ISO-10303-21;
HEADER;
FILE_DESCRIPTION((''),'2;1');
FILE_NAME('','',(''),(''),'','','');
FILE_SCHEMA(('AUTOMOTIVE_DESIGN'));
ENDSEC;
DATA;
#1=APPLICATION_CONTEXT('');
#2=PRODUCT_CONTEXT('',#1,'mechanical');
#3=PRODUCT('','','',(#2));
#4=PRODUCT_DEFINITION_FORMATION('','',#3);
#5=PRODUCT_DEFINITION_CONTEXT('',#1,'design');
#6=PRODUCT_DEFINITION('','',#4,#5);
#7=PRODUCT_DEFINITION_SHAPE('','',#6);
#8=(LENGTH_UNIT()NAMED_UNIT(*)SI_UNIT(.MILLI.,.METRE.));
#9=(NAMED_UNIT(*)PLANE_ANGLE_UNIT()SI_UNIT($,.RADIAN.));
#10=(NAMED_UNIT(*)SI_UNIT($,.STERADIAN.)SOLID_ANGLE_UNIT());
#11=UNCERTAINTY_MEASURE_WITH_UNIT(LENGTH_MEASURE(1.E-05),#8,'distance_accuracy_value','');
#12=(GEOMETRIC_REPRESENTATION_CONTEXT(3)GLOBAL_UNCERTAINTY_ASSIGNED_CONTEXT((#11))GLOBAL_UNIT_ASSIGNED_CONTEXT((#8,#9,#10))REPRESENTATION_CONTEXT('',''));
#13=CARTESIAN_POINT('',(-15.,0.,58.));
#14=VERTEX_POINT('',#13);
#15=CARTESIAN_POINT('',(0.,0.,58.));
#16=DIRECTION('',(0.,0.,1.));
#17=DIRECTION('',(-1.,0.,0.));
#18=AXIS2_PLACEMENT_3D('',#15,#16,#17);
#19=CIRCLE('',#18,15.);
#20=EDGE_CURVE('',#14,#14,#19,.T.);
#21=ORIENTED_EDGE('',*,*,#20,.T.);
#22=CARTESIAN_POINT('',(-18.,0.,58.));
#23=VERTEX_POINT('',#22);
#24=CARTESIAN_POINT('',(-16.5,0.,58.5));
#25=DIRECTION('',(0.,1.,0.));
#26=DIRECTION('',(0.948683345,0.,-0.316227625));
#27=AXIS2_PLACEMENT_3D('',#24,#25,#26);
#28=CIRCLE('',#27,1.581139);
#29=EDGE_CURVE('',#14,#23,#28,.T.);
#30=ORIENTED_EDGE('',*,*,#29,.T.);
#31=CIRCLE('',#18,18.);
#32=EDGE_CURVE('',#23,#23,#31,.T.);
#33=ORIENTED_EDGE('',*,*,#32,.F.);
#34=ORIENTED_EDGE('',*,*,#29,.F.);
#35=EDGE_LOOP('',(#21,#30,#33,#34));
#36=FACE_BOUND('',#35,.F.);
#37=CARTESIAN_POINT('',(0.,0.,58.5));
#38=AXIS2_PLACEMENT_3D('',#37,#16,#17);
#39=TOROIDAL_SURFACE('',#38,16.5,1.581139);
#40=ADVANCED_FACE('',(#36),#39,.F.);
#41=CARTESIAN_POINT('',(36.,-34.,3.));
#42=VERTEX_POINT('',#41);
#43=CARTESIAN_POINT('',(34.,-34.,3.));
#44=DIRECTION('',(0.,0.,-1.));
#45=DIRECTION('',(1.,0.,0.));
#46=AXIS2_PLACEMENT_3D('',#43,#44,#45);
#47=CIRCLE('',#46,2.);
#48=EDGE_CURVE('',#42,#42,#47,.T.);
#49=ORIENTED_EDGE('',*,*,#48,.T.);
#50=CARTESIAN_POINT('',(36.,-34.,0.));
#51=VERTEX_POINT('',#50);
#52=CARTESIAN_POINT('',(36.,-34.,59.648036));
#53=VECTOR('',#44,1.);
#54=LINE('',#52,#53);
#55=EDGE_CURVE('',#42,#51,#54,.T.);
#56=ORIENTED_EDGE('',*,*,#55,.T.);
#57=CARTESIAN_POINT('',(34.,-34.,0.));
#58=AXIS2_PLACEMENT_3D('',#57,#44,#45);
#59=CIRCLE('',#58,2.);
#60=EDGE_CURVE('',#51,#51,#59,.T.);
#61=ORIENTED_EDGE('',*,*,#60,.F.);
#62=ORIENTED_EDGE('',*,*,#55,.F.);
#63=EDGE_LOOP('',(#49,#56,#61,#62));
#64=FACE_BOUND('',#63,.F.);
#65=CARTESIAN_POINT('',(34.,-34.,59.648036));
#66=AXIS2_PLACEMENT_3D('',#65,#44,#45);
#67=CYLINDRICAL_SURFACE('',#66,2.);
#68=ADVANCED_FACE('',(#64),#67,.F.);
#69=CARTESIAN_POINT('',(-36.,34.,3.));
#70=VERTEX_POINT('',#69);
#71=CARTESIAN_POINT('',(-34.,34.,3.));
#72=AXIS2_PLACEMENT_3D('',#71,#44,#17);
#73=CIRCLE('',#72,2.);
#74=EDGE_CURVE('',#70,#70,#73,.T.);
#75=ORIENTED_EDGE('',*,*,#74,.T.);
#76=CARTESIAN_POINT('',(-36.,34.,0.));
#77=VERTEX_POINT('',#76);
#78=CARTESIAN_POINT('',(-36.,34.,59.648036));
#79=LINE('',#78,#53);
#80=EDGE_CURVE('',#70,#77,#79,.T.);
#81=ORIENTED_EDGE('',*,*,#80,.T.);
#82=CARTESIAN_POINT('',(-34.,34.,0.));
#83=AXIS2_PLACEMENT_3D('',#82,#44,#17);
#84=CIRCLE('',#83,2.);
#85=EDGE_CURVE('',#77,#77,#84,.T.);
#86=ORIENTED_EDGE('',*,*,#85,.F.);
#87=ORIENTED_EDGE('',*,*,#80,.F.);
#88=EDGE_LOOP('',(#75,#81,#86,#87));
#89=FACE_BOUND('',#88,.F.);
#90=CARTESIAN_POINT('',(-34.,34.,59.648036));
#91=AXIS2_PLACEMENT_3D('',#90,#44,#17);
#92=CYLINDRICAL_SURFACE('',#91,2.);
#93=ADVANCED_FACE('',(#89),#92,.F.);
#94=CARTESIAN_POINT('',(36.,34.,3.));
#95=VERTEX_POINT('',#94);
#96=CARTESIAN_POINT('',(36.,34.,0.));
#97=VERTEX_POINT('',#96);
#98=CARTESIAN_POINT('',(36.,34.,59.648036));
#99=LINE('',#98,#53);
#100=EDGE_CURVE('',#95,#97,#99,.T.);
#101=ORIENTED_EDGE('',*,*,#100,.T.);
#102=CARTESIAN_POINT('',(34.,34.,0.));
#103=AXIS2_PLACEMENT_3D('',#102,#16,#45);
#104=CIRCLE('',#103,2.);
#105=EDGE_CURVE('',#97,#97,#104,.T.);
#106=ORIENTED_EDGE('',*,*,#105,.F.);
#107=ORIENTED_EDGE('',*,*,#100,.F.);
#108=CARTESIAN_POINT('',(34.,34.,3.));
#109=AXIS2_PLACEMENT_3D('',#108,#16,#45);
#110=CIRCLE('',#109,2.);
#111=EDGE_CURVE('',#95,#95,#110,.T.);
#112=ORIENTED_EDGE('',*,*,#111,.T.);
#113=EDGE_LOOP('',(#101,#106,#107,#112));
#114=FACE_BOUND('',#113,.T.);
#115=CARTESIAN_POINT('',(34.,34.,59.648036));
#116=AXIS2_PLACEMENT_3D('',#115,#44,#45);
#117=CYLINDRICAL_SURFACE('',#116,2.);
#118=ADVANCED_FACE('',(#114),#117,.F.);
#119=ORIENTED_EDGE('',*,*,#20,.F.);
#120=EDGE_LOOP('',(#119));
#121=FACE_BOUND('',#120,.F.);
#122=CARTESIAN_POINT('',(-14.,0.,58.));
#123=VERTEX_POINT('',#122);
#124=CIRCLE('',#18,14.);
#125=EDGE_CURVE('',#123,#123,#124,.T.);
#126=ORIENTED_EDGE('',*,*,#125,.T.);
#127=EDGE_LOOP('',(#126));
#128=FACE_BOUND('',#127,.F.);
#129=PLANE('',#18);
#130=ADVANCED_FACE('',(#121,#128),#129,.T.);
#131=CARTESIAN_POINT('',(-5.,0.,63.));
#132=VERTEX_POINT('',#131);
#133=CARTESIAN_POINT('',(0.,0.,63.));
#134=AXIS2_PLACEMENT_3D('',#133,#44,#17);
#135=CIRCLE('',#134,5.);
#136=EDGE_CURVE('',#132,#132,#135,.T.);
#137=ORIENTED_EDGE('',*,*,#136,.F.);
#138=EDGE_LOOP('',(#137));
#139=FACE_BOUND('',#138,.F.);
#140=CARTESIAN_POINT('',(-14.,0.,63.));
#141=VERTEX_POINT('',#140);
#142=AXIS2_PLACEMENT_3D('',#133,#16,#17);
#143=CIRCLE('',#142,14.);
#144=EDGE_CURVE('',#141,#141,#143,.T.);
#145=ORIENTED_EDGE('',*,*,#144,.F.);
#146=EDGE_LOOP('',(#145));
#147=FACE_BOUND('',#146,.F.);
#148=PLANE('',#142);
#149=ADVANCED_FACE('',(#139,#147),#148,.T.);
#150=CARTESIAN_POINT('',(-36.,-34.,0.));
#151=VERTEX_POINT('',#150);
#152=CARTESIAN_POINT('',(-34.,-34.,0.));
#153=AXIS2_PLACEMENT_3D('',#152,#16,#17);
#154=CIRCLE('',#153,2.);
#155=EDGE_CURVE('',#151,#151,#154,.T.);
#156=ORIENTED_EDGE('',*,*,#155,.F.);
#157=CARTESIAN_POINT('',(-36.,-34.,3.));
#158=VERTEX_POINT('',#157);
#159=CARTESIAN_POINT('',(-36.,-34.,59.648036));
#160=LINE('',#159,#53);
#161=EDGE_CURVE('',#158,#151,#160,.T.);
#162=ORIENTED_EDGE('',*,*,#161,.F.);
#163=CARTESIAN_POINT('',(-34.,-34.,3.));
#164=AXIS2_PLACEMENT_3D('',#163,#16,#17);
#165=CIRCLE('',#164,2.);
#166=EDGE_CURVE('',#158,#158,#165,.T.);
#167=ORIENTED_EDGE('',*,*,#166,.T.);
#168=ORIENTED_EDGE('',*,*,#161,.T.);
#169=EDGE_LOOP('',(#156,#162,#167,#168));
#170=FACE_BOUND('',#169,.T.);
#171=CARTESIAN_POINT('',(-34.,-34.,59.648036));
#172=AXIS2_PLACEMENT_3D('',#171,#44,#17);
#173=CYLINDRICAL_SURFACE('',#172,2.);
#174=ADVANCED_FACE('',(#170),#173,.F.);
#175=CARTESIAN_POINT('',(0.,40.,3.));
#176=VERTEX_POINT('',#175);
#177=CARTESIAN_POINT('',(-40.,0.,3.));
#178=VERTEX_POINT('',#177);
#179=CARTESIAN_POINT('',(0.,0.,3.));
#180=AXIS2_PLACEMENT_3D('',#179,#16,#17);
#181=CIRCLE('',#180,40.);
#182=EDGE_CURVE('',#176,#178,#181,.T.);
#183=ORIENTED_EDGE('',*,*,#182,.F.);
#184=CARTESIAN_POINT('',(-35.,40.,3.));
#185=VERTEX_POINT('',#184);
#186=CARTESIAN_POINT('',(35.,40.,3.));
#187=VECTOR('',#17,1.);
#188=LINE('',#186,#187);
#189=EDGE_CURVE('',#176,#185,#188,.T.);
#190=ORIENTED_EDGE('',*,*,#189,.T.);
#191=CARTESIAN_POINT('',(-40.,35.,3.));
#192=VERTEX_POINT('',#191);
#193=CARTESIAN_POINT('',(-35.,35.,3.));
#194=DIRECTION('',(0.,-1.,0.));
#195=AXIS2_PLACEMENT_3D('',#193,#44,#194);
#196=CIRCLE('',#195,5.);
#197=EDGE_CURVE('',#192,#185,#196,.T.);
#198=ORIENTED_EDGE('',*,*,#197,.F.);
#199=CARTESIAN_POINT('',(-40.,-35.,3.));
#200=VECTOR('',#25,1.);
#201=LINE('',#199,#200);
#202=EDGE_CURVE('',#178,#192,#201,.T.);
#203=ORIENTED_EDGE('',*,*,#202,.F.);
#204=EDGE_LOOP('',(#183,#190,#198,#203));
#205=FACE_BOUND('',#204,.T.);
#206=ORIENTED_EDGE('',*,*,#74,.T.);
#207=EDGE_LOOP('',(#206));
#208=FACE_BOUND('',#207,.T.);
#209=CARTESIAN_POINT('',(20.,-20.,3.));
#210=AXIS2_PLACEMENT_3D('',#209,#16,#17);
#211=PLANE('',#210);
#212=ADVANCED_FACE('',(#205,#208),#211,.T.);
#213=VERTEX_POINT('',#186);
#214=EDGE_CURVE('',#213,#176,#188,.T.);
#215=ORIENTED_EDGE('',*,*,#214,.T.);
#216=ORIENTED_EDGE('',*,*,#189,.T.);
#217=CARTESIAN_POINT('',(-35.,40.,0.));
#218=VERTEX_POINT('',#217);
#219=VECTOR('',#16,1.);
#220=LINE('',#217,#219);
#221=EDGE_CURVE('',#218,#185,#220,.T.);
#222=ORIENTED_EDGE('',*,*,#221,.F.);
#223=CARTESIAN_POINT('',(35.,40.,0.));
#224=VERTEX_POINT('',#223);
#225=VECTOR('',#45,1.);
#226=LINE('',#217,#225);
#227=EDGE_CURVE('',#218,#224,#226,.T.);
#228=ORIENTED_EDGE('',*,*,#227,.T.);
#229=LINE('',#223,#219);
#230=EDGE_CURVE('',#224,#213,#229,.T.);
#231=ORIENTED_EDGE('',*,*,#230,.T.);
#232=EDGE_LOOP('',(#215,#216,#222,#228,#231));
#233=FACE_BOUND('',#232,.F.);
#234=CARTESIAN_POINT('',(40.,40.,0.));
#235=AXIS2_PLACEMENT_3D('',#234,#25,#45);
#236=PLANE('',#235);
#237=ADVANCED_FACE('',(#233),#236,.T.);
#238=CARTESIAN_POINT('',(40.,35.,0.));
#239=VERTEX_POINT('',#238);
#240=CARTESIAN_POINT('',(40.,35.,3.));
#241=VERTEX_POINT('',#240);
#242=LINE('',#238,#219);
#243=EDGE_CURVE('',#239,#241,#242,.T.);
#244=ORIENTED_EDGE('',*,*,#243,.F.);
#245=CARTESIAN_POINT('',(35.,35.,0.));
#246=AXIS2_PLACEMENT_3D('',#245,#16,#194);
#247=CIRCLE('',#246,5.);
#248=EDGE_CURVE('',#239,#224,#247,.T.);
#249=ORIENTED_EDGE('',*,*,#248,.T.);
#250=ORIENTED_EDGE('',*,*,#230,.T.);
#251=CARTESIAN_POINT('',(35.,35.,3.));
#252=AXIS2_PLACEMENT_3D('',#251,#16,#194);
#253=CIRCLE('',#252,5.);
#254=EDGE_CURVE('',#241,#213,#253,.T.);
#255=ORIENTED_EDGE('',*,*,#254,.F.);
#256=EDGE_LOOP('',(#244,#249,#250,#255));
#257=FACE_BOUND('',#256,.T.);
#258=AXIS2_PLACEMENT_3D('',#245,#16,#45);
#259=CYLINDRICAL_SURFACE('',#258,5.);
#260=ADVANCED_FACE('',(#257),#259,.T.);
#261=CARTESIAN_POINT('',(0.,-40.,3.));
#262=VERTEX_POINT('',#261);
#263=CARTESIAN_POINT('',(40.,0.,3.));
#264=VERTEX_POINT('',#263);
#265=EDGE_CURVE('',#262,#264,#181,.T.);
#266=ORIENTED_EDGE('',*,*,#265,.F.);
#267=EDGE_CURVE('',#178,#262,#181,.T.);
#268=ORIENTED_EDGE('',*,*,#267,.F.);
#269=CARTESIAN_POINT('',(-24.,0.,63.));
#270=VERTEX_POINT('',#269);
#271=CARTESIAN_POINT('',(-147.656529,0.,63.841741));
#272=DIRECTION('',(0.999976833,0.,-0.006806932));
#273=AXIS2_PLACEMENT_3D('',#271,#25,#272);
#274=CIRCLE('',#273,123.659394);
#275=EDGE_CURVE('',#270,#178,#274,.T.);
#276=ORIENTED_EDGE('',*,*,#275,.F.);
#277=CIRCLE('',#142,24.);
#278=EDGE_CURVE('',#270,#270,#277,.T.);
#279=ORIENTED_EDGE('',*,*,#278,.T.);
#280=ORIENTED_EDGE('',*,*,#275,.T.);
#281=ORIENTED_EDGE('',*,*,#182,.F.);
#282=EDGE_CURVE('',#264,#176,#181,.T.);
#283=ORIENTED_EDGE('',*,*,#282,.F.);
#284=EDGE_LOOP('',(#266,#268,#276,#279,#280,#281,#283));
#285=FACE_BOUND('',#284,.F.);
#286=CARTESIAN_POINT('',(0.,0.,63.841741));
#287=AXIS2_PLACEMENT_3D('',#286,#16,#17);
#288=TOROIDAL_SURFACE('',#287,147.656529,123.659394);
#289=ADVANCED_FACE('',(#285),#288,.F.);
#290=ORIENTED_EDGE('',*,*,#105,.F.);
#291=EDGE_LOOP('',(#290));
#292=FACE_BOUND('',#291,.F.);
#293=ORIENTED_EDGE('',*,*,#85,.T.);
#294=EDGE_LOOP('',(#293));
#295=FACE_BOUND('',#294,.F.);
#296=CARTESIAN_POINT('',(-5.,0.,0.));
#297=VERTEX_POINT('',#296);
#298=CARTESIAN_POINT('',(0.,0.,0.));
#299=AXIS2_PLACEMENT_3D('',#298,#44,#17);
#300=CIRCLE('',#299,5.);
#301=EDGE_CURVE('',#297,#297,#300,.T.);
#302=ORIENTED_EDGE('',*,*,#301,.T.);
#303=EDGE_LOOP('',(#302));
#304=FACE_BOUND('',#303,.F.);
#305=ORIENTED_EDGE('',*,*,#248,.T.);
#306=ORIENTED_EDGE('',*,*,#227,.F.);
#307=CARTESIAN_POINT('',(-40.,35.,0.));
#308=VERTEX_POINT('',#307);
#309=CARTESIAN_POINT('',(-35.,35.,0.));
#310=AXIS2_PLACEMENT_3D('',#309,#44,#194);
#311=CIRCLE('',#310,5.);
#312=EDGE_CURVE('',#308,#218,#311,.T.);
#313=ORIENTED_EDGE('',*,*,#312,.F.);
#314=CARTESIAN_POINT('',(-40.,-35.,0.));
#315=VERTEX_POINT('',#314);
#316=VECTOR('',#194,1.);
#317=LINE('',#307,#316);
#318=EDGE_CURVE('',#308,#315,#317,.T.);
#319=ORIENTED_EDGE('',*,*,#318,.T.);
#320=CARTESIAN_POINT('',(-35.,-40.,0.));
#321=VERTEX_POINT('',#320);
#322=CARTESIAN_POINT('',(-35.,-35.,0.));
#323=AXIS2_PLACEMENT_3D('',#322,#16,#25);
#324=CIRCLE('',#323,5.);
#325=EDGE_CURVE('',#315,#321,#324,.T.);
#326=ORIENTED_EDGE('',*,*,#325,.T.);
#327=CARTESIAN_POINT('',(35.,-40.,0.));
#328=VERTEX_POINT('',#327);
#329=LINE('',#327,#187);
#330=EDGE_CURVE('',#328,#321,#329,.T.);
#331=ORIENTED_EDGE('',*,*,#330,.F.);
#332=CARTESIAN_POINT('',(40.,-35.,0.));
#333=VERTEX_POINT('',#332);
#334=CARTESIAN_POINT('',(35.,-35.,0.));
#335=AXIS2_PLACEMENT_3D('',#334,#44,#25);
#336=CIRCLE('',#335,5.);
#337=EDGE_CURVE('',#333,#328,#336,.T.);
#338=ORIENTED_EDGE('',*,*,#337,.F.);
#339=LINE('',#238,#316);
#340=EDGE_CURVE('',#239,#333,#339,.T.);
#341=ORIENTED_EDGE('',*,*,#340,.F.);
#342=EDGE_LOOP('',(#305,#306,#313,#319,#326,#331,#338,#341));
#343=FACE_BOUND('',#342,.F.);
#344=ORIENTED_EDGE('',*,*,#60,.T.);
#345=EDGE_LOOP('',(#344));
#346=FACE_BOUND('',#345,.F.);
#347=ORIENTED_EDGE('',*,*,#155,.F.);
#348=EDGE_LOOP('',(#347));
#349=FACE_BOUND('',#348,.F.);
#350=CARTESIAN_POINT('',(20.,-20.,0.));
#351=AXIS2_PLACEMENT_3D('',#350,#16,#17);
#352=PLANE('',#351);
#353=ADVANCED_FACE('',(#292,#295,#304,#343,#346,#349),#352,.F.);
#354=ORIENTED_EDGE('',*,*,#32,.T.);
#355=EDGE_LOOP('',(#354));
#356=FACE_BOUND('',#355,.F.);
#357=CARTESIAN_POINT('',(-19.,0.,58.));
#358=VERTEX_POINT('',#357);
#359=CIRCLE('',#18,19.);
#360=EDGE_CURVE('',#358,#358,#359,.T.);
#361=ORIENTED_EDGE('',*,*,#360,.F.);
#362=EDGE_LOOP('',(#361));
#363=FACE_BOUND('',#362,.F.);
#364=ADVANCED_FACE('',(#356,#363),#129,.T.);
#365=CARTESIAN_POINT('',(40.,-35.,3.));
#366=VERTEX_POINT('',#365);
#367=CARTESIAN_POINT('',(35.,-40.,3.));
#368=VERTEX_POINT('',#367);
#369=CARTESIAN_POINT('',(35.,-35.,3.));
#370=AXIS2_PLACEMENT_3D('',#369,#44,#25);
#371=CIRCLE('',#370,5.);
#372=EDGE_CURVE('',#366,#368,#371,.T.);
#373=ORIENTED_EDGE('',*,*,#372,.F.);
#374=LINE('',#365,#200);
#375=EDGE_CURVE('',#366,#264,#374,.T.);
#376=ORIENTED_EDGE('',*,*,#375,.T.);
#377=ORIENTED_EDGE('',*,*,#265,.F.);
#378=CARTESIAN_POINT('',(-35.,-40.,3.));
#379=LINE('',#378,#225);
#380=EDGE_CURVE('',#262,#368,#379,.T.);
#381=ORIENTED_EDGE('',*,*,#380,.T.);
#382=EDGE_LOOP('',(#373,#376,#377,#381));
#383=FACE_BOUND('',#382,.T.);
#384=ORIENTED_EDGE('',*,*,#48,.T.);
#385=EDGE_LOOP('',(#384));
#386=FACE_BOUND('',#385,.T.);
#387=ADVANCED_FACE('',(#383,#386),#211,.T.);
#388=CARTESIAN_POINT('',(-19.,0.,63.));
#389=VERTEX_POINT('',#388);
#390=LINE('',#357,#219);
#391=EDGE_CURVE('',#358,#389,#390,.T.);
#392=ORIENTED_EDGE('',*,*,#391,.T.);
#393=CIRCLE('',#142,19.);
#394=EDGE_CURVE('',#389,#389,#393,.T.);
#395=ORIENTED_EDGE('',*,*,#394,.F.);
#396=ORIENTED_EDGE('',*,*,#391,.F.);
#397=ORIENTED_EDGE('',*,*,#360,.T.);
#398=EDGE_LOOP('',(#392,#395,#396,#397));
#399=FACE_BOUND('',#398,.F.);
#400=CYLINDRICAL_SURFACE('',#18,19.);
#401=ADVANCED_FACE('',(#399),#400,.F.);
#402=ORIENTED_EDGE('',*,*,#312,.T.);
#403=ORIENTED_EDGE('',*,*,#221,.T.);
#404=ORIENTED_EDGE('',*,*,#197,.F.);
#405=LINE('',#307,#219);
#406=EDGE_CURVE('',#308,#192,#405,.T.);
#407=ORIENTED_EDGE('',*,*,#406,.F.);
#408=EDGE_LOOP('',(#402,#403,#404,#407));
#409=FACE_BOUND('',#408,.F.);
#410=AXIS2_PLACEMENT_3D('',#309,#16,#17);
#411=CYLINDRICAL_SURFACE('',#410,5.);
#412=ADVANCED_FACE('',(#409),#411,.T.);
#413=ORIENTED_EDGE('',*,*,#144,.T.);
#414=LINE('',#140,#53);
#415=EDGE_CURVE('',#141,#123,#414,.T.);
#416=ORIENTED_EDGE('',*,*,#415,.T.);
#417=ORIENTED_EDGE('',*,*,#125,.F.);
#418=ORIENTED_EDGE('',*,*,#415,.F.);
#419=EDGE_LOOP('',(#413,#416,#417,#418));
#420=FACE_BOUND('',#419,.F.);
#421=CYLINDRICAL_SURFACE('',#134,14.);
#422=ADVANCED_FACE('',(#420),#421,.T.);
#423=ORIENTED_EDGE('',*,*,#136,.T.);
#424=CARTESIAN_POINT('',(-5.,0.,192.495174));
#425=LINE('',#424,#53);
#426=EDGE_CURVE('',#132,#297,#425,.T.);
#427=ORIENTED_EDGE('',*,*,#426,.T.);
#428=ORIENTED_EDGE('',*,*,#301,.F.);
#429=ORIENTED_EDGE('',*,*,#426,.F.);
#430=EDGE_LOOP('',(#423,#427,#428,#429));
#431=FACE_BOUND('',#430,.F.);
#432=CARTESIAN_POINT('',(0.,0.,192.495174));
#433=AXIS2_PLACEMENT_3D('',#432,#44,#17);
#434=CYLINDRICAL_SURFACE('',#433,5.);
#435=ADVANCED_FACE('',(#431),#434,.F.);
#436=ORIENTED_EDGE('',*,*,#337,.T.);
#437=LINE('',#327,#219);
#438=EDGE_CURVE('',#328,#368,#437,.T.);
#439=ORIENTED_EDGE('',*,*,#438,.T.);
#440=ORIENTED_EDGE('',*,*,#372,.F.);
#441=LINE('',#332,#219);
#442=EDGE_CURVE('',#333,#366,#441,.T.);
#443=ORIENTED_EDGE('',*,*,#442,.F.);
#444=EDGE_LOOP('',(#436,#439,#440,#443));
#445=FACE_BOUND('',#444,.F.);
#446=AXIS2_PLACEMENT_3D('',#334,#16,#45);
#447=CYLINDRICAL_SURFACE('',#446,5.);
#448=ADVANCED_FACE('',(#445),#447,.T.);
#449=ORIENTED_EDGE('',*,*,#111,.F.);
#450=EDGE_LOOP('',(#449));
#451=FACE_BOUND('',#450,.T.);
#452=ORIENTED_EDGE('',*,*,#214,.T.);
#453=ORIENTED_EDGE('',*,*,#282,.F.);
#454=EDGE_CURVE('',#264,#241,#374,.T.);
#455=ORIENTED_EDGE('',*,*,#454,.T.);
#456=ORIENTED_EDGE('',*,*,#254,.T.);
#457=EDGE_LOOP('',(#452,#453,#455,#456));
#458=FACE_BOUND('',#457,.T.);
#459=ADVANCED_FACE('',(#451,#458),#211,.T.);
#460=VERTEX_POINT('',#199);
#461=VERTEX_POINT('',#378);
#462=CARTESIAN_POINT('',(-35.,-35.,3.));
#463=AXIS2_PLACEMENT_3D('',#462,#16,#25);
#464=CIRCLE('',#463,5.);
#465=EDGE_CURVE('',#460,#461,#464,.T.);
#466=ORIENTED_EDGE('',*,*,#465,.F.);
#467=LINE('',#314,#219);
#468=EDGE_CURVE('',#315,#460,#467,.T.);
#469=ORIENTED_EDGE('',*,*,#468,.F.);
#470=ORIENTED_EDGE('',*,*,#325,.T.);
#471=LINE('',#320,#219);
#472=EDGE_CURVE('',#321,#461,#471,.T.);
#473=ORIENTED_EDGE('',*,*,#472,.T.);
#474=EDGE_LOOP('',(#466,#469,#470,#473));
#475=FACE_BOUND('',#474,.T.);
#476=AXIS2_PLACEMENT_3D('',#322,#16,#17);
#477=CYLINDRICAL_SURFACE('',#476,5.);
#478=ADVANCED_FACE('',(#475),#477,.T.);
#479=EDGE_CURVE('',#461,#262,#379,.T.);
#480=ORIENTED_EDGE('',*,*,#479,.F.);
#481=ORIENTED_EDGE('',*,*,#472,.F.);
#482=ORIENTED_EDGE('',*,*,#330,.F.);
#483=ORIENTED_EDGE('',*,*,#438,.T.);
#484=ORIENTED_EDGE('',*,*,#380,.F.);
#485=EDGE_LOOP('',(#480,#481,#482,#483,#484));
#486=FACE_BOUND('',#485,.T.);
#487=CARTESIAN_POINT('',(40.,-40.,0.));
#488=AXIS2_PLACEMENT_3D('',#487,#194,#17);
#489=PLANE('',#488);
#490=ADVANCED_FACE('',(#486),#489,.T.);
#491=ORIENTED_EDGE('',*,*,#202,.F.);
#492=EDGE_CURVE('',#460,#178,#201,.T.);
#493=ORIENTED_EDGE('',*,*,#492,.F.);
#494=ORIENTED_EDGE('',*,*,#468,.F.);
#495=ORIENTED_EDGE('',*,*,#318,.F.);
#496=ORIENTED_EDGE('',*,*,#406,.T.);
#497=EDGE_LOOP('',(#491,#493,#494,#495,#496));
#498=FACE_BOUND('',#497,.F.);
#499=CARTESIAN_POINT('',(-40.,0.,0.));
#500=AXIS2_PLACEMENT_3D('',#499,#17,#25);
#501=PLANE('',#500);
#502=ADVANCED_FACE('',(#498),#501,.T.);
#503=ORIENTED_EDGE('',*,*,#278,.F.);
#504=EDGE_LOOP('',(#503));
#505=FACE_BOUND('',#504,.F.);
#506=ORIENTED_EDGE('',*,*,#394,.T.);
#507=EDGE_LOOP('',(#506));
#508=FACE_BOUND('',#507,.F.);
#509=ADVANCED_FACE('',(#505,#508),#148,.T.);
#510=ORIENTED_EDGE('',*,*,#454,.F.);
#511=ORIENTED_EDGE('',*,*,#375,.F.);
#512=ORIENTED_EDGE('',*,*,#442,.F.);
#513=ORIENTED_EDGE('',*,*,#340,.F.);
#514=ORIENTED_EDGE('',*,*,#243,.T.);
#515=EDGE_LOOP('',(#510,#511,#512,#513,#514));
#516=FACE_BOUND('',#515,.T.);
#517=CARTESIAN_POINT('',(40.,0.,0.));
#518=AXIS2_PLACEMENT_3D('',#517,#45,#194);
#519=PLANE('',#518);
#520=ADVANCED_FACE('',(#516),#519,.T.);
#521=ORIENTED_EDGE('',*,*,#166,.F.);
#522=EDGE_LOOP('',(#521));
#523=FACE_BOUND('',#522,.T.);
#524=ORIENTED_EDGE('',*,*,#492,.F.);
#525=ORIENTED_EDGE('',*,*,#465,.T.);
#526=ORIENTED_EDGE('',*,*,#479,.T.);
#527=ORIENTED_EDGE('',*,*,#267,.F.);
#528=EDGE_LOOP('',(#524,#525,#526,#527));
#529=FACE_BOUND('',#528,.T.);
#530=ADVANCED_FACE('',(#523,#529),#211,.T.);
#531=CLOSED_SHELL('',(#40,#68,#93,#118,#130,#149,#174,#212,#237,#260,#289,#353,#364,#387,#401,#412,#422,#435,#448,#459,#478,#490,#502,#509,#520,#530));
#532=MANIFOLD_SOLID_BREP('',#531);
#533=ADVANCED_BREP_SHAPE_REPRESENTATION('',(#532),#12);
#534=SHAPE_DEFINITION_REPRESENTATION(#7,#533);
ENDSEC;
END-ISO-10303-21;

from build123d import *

# Parameters (mm, degrees)
F0_W     = 40
F0_H     = 40
F1_DEPTH = 3
F3_D     = 4
F4_R     = 5
F10_D    = 10


with BuildPart() as f1:
    # F0 (on Top) → F1 (new body)
    with BuildSketch(Plane.XY):
        with Locations((-20, 20)):
            Rectangle(F0_W, F0_H)
    extrude(amount=F1_DEPTH)

    # F3 (through all)
    with Locations(Plane.XY.offset(3)):
        with Locations((-34, 34)):
            Hole(F3_D / 2)

    # F4
    f4_edges = [f1.edges().sort_by_distance(p)[0] for p in [
        (-40, 40, 1.5),
    ]]
    fillet(f4_edges, radius=F4_R)

    # F5: F1 across face


with BuildPart() as f1_1:
    add(f1.part)
    add(f1.part.mirror(Plane(origin=(-20, 0, 1.5), x_dir=(1, 0, 0), z_dir=(0, -1, 0))))

    # F6: F1 across face


with BuildPart() as f1_2:
    add(f1_1.part)
    add(f1_1.part.mirror(Plane(origin=(0, 0, 1.5), x_dir=(0, 1, 0), z_dir=(1, 0, 0))))

    # F7 (on Front) → F8 (revolve)
    with BuildSketch(Plane.XZ):
        with BuildLine():
            Line((-40, 3), (0, 3))
            Line((0, 3), (0, 63))
            Line((0, 63), (-14, 63))
            Line((-14, 63), (-14, 58))
            Line((-14, 58), (-15, 58))
            ThreePointArc((-15, 58), (-16.5, 56.918861), (-18, 58))
            Line((-18, 58), (-19, 58))
            Line((-19, 58), (-19, 63))
            Line((-19, 63), (-24, 63))
            ThreePointArc((-24, 63), (-28.172502, 31.979334), (-40, 3))
        make_face()
    revolve(axis=Axis((0, 0, 33), (0, 0, 1)))

    # F10 (through all)
    with Locations(Plane.XY.offset(63)):
        with Locations((0, 0)):
            Hole(F10_D / 2)


solid = f1_2.part
